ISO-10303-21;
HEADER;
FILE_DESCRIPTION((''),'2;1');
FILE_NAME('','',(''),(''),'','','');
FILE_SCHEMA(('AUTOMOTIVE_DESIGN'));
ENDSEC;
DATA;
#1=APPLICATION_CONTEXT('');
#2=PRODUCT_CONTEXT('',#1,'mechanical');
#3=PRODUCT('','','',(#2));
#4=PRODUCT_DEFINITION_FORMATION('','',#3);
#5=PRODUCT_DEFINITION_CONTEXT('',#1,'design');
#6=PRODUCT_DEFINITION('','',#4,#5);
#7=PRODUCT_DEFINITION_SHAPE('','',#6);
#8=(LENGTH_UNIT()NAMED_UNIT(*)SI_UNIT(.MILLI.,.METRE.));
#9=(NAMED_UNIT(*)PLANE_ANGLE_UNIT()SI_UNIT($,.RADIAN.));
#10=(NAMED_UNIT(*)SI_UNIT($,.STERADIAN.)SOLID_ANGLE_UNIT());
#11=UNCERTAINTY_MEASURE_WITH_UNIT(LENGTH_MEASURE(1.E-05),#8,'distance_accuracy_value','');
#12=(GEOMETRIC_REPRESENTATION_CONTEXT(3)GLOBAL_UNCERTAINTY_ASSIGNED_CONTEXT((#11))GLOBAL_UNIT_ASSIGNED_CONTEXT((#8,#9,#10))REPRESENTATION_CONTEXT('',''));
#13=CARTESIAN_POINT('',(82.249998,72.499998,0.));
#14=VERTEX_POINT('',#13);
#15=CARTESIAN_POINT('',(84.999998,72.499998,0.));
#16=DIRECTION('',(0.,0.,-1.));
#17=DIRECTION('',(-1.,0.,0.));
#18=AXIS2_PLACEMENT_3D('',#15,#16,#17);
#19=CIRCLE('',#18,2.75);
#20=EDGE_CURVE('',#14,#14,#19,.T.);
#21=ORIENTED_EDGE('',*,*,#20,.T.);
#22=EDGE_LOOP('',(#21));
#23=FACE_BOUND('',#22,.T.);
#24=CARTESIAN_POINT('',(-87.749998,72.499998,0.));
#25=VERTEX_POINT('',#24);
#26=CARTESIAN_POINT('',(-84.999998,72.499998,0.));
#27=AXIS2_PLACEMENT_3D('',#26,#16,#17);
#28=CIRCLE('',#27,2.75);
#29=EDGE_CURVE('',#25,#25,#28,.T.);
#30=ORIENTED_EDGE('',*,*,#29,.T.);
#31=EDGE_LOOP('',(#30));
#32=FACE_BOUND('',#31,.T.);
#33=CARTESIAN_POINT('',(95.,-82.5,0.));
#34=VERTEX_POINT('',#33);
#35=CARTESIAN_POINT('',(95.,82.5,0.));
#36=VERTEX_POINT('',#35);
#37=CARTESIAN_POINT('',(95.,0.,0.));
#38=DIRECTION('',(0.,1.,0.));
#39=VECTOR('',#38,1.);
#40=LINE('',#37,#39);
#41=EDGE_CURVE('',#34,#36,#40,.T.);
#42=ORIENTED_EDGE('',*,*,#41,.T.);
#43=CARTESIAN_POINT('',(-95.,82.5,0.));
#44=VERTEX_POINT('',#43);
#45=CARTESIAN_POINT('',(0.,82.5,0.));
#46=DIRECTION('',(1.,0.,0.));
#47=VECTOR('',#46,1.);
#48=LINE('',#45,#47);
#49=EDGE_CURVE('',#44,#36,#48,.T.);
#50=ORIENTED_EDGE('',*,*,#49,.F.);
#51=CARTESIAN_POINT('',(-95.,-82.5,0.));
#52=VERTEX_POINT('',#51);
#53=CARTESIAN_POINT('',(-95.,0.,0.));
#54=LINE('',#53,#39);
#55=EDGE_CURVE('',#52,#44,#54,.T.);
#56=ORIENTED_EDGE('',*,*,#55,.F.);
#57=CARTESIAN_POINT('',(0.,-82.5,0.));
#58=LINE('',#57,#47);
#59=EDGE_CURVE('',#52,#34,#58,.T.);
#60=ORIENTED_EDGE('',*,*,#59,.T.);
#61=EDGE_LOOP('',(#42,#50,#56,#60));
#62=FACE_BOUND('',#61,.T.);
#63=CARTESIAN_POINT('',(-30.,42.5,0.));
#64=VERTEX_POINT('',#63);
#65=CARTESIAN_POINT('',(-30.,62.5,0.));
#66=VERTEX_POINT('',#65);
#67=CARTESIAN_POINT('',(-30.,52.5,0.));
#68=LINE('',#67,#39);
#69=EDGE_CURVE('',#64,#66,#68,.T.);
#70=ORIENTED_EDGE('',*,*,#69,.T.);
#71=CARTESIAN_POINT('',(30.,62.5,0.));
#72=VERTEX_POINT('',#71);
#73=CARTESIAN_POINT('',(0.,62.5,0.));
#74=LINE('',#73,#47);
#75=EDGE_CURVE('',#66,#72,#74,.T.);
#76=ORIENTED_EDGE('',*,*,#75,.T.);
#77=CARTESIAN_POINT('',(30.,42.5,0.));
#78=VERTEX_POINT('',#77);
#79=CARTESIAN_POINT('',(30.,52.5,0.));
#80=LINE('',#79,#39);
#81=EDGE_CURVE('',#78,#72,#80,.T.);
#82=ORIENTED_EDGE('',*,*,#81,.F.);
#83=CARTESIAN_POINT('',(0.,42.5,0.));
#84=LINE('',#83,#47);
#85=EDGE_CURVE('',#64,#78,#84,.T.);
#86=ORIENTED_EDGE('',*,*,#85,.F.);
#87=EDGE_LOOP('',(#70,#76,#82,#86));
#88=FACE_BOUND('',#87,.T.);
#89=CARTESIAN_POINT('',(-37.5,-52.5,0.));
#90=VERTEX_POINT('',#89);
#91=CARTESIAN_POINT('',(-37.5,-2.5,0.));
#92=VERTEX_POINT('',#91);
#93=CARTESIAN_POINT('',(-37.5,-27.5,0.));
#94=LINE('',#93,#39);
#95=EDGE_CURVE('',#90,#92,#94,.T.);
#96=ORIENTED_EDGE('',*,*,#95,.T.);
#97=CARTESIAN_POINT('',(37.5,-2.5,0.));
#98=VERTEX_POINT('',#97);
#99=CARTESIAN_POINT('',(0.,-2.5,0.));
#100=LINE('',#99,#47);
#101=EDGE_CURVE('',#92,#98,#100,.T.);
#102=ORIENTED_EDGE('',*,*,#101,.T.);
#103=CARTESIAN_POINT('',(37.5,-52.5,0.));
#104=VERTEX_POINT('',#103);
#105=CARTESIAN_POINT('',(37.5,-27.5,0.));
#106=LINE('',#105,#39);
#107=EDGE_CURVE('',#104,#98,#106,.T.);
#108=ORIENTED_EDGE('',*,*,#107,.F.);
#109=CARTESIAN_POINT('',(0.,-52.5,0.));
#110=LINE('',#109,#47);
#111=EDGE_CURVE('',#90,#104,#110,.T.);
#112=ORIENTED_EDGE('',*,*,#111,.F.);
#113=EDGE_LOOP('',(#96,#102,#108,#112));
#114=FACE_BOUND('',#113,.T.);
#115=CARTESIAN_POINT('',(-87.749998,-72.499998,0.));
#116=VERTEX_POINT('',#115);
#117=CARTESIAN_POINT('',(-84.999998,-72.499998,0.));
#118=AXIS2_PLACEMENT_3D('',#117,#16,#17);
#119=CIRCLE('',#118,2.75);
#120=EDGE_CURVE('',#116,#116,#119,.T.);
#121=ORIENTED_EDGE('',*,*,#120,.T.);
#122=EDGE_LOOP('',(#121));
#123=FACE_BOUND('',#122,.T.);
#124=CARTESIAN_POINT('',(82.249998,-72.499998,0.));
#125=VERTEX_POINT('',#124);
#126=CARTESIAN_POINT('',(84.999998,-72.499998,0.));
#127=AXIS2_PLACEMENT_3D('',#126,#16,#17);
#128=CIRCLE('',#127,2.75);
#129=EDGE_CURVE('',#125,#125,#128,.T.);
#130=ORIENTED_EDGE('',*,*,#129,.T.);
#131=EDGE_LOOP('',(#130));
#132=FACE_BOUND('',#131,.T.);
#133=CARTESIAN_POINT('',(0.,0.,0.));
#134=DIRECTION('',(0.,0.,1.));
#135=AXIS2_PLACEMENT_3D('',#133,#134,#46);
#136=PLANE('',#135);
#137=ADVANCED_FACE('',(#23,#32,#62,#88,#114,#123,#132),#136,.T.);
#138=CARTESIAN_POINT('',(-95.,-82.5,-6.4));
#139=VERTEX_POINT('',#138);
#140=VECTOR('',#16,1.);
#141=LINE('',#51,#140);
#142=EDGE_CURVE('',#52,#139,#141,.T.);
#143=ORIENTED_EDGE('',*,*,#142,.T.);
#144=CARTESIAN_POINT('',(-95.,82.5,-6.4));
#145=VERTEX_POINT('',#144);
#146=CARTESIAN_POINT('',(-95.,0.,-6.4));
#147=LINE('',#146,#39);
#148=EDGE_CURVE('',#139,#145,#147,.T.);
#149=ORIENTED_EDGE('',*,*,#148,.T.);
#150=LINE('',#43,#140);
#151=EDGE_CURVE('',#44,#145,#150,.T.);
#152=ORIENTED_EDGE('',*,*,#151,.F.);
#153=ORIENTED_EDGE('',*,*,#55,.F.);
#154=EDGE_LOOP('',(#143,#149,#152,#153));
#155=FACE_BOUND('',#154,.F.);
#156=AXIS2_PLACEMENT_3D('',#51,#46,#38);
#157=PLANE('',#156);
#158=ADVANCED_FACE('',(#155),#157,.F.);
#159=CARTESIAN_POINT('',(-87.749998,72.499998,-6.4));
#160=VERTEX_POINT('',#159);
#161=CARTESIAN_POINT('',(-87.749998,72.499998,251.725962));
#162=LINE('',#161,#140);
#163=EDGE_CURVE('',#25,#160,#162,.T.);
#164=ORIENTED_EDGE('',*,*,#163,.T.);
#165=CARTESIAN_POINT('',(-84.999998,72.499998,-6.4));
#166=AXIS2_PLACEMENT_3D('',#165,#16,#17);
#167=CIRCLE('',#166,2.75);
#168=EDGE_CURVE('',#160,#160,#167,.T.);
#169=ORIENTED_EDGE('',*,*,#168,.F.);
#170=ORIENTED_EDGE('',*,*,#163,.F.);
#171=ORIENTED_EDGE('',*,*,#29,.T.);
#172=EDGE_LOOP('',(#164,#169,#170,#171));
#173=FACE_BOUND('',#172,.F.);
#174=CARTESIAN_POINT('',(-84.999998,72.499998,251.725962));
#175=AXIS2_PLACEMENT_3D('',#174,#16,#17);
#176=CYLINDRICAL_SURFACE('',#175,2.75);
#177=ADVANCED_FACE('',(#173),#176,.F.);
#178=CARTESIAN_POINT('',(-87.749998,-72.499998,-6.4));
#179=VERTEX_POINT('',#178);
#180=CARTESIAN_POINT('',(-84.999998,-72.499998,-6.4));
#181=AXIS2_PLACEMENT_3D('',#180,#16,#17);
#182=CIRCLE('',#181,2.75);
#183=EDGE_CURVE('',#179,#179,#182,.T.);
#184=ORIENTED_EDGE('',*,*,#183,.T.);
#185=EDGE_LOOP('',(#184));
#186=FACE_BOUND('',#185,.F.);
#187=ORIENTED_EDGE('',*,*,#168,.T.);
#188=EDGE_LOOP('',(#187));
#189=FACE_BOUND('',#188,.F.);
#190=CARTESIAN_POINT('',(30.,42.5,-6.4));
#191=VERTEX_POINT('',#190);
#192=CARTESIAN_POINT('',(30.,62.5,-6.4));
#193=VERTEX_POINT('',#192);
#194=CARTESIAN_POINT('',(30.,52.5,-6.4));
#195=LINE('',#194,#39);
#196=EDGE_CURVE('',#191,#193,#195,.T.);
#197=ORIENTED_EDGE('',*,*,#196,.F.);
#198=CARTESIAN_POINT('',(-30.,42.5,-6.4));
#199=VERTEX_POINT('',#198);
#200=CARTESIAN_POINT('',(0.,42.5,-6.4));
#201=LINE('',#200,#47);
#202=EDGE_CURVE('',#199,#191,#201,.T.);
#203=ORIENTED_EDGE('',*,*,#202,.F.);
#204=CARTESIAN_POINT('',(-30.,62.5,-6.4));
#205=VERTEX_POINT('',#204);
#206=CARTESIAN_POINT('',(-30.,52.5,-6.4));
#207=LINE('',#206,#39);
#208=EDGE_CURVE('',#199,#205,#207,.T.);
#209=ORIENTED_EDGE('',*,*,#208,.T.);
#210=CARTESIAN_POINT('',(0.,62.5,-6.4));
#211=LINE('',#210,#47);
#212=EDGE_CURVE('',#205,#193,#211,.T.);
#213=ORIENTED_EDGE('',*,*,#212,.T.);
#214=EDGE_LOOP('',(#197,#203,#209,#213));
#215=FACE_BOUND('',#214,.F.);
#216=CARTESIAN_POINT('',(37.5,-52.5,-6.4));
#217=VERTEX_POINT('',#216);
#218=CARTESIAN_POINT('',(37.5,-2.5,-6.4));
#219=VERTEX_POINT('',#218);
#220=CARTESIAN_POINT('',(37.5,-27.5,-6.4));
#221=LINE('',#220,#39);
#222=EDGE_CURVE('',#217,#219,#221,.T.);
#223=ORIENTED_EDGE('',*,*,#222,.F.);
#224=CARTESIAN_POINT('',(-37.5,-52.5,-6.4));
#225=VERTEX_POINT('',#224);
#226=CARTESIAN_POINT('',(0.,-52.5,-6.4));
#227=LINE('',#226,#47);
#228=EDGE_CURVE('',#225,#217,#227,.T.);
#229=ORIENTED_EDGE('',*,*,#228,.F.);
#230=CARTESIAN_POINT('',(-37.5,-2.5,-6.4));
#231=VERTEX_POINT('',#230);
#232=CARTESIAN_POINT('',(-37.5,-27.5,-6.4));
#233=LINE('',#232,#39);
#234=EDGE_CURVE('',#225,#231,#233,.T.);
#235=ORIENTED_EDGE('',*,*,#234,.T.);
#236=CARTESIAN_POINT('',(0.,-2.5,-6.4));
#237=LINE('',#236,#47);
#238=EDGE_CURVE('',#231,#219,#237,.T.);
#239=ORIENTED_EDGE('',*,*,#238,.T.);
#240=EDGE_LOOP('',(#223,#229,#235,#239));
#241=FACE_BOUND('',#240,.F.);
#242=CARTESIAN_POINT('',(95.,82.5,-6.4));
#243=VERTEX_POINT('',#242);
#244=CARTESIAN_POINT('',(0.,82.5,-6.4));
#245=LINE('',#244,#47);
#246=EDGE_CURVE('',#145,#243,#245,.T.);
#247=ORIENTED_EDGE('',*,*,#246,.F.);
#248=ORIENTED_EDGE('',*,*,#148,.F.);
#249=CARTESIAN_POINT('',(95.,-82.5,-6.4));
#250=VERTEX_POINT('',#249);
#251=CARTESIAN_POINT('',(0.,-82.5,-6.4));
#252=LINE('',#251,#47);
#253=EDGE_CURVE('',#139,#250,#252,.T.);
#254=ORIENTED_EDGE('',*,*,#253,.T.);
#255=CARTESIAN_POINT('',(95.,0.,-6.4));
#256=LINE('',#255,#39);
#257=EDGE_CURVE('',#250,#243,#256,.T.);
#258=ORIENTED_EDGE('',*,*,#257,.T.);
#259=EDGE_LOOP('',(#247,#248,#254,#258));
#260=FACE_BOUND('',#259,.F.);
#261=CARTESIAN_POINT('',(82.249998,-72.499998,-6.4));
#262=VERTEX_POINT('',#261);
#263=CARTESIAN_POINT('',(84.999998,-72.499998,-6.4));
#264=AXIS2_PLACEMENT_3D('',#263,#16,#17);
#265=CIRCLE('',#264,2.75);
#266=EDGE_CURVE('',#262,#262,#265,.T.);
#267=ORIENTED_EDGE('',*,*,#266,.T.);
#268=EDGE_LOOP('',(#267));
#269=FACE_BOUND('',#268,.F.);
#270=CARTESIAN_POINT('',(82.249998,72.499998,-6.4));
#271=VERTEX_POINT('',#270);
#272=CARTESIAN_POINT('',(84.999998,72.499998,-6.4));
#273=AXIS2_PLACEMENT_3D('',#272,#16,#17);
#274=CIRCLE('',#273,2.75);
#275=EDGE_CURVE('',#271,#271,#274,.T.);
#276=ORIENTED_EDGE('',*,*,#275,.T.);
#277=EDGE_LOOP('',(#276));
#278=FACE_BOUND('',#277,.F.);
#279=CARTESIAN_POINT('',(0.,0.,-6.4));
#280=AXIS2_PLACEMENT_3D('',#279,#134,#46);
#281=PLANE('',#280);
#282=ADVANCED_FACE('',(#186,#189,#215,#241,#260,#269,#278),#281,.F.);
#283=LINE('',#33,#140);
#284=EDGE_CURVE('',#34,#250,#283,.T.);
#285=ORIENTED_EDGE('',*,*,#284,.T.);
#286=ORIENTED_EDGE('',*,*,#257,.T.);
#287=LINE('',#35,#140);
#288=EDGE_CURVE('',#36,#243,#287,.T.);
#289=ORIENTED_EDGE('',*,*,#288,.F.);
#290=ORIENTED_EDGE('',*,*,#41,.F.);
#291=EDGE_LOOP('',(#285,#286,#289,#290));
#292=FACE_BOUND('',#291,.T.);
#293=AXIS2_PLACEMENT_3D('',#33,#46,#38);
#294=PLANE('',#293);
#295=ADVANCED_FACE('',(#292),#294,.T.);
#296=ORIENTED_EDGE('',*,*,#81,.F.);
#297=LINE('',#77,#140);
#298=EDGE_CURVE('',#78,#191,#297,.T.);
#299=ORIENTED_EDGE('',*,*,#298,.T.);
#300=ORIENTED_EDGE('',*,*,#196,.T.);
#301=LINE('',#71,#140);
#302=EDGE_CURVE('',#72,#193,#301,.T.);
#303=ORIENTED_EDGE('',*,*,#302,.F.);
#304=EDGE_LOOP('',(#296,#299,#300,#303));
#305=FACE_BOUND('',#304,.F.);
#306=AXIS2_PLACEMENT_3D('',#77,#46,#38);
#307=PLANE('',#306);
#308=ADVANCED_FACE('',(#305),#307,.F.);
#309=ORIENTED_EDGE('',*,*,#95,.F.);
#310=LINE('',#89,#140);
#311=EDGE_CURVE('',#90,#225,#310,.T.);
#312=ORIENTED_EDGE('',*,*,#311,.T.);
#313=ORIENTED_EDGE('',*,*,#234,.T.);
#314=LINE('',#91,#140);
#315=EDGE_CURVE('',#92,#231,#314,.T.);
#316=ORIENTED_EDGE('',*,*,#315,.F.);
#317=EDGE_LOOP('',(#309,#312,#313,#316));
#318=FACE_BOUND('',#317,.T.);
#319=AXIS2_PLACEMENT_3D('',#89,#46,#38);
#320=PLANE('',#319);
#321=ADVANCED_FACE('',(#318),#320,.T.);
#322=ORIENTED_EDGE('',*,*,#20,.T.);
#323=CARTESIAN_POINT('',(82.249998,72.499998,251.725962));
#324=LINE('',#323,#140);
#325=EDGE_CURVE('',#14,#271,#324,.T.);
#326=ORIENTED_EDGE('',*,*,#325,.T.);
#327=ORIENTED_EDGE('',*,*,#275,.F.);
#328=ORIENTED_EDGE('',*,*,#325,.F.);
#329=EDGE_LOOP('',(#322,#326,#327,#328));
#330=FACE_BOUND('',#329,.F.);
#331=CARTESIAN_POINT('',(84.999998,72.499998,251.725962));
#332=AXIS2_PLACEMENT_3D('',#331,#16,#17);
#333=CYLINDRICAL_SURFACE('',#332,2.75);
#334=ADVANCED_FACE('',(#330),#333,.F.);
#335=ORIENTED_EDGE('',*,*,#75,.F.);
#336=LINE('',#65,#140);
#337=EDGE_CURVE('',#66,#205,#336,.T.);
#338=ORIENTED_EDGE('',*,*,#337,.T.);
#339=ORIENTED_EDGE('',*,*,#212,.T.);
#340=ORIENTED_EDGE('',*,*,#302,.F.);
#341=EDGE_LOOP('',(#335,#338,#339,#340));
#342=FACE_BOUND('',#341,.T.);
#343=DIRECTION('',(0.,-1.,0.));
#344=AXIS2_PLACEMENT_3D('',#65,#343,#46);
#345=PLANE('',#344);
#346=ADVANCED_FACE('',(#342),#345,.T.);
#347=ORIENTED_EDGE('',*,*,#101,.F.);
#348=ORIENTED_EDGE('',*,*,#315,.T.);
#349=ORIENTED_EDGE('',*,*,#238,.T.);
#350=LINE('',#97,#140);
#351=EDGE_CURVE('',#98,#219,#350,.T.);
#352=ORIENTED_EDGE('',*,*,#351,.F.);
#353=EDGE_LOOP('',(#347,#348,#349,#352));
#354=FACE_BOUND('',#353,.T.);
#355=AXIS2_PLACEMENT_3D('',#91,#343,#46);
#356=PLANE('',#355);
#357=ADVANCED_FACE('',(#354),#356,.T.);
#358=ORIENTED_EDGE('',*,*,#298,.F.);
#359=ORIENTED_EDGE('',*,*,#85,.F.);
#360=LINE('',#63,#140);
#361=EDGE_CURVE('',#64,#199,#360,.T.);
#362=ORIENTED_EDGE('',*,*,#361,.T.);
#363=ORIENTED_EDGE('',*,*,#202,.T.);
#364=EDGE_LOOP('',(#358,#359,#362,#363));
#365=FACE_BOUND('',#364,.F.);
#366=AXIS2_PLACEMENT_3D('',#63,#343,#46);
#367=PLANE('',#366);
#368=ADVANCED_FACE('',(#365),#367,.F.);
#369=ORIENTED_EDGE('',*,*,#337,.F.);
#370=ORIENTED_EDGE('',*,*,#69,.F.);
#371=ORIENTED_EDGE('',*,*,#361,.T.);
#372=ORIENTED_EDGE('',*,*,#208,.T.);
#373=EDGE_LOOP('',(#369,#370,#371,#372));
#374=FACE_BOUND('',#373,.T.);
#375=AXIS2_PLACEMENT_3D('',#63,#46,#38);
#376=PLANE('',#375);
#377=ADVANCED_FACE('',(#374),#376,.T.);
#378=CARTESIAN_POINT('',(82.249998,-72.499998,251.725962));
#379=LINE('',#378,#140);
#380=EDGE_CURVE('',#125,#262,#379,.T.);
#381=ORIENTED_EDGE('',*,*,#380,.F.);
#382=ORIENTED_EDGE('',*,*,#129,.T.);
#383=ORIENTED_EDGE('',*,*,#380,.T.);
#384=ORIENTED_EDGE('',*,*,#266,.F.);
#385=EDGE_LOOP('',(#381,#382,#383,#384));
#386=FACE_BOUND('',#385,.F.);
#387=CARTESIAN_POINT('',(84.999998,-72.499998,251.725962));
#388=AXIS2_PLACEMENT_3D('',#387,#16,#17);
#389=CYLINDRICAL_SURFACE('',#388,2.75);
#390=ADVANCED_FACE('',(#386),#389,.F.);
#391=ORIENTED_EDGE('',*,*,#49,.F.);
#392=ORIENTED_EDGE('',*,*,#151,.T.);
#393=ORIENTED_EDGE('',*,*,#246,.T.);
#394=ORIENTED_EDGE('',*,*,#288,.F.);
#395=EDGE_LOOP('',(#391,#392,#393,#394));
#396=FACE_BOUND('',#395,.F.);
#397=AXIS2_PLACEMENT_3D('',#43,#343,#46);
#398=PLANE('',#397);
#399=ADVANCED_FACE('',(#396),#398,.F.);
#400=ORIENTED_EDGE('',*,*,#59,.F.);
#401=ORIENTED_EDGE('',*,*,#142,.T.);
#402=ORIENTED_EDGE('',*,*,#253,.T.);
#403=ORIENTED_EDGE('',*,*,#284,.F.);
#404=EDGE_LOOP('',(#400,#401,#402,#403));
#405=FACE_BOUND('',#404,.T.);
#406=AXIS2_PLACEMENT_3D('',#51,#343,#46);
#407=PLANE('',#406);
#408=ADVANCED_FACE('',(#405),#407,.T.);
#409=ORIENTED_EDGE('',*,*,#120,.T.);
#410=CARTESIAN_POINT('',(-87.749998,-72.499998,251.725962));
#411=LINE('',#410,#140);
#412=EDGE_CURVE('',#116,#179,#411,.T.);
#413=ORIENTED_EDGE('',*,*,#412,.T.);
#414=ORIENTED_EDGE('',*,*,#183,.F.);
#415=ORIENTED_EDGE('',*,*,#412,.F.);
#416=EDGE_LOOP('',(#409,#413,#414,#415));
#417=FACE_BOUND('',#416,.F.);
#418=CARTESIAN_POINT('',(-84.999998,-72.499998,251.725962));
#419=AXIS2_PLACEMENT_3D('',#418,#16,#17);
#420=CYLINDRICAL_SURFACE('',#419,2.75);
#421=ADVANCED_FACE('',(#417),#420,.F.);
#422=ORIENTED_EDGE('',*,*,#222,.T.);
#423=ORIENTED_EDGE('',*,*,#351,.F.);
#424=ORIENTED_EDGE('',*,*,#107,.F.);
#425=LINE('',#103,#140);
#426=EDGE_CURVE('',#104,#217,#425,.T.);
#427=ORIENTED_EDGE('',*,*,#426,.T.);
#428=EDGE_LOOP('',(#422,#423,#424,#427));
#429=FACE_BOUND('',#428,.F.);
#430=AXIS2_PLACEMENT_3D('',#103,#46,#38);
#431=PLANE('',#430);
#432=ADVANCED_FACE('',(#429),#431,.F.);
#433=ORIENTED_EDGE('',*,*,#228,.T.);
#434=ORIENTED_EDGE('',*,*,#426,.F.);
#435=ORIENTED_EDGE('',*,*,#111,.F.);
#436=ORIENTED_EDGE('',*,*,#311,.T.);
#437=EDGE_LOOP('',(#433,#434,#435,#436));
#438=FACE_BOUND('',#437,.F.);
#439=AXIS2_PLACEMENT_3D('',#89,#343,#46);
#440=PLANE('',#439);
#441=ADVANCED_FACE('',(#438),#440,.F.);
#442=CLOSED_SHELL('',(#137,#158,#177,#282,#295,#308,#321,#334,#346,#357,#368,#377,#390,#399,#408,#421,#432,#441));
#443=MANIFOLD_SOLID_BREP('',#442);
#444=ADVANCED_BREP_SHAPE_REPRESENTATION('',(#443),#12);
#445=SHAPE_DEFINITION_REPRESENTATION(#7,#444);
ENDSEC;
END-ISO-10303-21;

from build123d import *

# Parameters (mm, degrees)
F0_W     = 190
F0_H     = 165
F0_W_2   = 75
F0_H_2   = 50
F0_W_3   = 60
F0_H_3   = 20
F1_DEPTH = 6.4
F2_D     = 5.5


with BuildPart() as f1:
    # F0 (on Top) → F1 (new body)
    with BuildSketch(Plane.XY):
        Rectangle(F0_W, F0_H)
        with Locations((0, -27.5)):
            Rectangle(F0_W_2, F0_H_2, mode=Mode.SUBTRACT)
        with Locations((0, 52.5)):
            Rectangle(F0_W_3, F0_H_3, mode=Mode.SUBTRACT)
    extrude(amount=-F1_DEPTH)

    # F2 (through all)
    with Locations(Plane.XY):
        with Locations((84.999998, 72.499998), (-84.999998, 72.499998), (-84.999998, -72.499998), (84.999998, -72.499998)):
            Hole(F2_D / 2)


solid = f1.part
